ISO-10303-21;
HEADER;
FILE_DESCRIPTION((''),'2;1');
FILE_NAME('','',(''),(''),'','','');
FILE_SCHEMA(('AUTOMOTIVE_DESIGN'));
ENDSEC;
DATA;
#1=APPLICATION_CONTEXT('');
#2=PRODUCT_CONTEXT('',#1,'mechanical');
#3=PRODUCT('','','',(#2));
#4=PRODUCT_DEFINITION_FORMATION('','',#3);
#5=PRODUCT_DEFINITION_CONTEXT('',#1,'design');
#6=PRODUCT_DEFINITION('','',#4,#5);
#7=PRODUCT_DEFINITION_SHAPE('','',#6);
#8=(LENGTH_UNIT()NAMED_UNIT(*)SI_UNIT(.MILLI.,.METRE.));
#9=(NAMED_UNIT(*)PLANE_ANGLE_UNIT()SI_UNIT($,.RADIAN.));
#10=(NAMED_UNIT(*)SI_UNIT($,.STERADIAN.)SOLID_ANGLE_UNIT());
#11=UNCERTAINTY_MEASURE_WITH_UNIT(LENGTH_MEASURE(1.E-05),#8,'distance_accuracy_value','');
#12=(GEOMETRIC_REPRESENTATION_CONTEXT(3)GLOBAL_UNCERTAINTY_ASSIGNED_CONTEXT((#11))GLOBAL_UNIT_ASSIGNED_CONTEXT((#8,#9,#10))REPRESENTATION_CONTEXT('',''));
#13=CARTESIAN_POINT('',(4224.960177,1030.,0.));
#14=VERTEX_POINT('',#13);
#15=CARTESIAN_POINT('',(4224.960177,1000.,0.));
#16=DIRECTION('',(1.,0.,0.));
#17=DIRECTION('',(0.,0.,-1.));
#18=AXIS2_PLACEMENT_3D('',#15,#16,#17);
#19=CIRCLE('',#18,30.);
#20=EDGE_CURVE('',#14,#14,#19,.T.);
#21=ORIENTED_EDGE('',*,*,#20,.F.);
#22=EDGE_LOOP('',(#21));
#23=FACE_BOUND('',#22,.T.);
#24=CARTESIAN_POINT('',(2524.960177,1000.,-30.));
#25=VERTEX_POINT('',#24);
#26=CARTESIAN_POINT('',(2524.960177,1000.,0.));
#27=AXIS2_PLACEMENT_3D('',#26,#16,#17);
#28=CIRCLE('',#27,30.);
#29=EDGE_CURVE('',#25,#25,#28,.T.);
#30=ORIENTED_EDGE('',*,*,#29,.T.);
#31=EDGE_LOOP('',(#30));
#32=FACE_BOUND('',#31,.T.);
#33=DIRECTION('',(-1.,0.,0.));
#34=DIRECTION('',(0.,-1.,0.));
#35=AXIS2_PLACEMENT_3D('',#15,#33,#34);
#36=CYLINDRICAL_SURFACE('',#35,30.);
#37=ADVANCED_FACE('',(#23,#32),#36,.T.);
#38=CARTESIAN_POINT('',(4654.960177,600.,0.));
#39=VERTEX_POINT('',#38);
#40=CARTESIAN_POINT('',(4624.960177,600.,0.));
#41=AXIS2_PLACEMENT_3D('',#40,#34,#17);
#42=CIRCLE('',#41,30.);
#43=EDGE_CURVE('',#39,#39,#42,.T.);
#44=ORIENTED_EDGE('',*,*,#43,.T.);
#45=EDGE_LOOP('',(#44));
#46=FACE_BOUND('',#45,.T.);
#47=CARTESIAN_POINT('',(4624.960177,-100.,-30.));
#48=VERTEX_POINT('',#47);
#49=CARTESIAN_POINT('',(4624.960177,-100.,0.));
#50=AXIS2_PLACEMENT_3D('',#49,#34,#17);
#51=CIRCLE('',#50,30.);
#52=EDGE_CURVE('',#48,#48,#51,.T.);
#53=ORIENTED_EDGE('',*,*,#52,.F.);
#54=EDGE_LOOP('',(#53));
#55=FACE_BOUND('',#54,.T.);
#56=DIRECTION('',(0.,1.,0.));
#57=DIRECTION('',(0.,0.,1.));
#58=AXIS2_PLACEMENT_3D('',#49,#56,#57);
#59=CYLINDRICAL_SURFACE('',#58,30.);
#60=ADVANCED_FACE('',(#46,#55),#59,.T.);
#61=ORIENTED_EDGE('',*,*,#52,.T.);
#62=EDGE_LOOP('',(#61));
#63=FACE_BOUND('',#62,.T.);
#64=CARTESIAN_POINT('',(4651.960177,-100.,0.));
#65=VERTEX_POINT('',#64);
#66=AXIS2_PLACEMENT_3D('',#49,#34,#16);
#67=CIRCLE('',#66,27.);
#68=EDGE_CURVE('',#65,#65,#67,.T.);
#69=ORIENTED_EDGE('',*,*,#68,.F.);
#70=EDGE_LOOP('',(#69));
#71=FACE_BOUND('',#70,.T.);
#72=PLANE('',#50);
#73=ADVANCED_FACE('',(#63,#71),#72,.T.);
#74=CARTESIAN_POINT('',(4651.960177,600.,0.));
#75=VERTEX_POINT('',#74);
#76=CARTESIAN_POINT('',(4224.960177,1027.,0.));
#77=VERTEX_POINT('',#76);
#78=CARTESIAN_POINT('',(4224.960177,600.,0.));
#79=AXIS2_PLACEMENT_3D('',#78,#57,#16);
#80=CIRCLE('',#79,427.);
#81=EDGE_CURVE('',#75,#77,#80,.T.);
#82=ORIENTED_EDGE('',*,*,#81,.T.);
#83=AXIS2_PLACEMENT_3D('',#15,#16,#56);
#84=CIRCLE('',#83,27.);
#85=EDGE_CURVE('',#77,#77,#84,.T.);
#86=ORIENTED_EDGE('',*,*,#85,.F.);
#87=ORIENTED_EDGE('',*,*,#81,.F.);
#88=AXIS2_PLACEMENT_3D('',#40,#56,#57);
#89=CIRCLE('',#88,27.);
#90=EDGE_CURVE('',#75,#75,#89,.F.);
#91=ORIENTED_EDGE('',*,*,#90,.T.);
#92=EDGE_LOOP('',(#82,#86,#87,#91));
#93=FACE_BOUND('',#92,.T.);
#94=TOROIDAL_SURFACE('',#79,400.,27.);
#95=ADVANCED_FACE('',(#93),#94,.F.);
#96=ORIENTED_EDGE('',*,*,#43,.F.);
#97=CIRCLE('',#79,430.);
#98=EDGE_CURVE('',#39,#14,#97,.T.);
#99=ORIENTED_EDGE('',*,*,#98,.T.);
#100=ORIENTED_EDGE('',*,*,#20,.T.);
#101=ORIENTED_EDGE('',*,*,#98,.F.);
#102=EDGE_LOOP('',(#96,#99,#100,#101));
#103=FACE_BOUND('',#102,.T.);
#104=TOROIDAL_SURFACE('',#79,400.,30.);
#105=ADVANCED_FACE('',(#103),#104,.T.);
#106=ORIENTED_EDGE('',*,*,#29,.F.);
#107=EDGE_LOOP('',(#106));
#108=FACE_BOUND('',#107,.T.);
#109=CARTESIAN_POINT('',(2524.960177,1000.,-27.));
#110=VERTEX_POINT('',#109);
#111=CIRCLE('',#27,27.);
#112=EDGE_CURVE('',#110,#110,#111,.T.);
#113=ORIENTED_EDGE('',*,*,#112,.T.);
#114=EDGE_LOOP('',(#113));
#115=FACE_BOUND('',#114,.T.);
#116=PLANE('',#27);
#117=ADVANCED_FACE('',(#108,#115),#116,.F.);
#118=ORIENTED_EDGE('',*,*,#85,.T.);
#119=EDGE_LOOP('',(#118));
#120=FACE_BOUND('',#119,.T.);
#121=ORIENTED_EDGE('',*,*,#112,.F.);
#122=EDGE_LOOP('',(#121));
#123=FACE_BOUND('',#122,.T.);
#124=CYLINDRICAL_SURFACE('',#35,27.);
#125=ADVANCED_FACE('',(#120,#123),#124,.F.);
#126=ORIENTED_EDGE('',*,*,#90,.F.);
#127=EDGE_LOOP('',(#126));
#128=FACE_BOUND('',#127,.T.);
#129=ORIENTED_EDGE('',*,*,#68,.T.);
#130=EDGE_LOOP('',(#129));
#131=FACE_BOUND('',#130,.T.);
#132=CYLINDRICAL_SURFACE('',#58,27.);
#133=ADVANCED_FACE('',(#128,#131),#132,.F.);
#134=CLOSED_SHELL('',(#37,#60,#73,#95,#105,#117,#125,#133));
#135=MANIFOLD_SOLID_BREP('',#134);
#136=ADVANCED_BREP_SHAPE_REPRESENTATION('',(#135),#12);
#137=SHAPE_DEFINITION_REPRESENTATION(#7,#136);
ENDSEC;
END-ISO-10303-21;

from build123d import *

# Parameters (mm, degrees)
SWEEP_THIN1_PROFILE_R   = 30
SWEEP_THIN1_PROFILE_R_2 = 27


with BuildPart() as part:
    # Sweep-Thin1: sweep along a path in Sketch1
    with BuildLine(Plane.XY) as sweep_thin1_path:
        Line((4624.960176957, -100), (4624.960176957, 600))
        ThreePointArc((4624.960176957, 600), (4507.802889432, 882.842712475), (4224.960176957, 1000))
        Line((4224.960176957, 1000), (2524.960176957, 1000))
    # Sweep-Thin1 profile (on start of the path) → Sweep-Thin1 (sweep)
    with BuildSketch(Plane(origin=(4624.960176957, -100, 0), x_dir=(0, 0, 1), z_dir=(0, 1, 0))):
        Circle(SWEEP_THIN1_PROFILE_R)
        Circle(SWEEP_THIN1_PROFILE_R_2, mode=Mode.SUBTRACT)
    sweep(path=sweep_thin1_path.line)


solid = part.part
